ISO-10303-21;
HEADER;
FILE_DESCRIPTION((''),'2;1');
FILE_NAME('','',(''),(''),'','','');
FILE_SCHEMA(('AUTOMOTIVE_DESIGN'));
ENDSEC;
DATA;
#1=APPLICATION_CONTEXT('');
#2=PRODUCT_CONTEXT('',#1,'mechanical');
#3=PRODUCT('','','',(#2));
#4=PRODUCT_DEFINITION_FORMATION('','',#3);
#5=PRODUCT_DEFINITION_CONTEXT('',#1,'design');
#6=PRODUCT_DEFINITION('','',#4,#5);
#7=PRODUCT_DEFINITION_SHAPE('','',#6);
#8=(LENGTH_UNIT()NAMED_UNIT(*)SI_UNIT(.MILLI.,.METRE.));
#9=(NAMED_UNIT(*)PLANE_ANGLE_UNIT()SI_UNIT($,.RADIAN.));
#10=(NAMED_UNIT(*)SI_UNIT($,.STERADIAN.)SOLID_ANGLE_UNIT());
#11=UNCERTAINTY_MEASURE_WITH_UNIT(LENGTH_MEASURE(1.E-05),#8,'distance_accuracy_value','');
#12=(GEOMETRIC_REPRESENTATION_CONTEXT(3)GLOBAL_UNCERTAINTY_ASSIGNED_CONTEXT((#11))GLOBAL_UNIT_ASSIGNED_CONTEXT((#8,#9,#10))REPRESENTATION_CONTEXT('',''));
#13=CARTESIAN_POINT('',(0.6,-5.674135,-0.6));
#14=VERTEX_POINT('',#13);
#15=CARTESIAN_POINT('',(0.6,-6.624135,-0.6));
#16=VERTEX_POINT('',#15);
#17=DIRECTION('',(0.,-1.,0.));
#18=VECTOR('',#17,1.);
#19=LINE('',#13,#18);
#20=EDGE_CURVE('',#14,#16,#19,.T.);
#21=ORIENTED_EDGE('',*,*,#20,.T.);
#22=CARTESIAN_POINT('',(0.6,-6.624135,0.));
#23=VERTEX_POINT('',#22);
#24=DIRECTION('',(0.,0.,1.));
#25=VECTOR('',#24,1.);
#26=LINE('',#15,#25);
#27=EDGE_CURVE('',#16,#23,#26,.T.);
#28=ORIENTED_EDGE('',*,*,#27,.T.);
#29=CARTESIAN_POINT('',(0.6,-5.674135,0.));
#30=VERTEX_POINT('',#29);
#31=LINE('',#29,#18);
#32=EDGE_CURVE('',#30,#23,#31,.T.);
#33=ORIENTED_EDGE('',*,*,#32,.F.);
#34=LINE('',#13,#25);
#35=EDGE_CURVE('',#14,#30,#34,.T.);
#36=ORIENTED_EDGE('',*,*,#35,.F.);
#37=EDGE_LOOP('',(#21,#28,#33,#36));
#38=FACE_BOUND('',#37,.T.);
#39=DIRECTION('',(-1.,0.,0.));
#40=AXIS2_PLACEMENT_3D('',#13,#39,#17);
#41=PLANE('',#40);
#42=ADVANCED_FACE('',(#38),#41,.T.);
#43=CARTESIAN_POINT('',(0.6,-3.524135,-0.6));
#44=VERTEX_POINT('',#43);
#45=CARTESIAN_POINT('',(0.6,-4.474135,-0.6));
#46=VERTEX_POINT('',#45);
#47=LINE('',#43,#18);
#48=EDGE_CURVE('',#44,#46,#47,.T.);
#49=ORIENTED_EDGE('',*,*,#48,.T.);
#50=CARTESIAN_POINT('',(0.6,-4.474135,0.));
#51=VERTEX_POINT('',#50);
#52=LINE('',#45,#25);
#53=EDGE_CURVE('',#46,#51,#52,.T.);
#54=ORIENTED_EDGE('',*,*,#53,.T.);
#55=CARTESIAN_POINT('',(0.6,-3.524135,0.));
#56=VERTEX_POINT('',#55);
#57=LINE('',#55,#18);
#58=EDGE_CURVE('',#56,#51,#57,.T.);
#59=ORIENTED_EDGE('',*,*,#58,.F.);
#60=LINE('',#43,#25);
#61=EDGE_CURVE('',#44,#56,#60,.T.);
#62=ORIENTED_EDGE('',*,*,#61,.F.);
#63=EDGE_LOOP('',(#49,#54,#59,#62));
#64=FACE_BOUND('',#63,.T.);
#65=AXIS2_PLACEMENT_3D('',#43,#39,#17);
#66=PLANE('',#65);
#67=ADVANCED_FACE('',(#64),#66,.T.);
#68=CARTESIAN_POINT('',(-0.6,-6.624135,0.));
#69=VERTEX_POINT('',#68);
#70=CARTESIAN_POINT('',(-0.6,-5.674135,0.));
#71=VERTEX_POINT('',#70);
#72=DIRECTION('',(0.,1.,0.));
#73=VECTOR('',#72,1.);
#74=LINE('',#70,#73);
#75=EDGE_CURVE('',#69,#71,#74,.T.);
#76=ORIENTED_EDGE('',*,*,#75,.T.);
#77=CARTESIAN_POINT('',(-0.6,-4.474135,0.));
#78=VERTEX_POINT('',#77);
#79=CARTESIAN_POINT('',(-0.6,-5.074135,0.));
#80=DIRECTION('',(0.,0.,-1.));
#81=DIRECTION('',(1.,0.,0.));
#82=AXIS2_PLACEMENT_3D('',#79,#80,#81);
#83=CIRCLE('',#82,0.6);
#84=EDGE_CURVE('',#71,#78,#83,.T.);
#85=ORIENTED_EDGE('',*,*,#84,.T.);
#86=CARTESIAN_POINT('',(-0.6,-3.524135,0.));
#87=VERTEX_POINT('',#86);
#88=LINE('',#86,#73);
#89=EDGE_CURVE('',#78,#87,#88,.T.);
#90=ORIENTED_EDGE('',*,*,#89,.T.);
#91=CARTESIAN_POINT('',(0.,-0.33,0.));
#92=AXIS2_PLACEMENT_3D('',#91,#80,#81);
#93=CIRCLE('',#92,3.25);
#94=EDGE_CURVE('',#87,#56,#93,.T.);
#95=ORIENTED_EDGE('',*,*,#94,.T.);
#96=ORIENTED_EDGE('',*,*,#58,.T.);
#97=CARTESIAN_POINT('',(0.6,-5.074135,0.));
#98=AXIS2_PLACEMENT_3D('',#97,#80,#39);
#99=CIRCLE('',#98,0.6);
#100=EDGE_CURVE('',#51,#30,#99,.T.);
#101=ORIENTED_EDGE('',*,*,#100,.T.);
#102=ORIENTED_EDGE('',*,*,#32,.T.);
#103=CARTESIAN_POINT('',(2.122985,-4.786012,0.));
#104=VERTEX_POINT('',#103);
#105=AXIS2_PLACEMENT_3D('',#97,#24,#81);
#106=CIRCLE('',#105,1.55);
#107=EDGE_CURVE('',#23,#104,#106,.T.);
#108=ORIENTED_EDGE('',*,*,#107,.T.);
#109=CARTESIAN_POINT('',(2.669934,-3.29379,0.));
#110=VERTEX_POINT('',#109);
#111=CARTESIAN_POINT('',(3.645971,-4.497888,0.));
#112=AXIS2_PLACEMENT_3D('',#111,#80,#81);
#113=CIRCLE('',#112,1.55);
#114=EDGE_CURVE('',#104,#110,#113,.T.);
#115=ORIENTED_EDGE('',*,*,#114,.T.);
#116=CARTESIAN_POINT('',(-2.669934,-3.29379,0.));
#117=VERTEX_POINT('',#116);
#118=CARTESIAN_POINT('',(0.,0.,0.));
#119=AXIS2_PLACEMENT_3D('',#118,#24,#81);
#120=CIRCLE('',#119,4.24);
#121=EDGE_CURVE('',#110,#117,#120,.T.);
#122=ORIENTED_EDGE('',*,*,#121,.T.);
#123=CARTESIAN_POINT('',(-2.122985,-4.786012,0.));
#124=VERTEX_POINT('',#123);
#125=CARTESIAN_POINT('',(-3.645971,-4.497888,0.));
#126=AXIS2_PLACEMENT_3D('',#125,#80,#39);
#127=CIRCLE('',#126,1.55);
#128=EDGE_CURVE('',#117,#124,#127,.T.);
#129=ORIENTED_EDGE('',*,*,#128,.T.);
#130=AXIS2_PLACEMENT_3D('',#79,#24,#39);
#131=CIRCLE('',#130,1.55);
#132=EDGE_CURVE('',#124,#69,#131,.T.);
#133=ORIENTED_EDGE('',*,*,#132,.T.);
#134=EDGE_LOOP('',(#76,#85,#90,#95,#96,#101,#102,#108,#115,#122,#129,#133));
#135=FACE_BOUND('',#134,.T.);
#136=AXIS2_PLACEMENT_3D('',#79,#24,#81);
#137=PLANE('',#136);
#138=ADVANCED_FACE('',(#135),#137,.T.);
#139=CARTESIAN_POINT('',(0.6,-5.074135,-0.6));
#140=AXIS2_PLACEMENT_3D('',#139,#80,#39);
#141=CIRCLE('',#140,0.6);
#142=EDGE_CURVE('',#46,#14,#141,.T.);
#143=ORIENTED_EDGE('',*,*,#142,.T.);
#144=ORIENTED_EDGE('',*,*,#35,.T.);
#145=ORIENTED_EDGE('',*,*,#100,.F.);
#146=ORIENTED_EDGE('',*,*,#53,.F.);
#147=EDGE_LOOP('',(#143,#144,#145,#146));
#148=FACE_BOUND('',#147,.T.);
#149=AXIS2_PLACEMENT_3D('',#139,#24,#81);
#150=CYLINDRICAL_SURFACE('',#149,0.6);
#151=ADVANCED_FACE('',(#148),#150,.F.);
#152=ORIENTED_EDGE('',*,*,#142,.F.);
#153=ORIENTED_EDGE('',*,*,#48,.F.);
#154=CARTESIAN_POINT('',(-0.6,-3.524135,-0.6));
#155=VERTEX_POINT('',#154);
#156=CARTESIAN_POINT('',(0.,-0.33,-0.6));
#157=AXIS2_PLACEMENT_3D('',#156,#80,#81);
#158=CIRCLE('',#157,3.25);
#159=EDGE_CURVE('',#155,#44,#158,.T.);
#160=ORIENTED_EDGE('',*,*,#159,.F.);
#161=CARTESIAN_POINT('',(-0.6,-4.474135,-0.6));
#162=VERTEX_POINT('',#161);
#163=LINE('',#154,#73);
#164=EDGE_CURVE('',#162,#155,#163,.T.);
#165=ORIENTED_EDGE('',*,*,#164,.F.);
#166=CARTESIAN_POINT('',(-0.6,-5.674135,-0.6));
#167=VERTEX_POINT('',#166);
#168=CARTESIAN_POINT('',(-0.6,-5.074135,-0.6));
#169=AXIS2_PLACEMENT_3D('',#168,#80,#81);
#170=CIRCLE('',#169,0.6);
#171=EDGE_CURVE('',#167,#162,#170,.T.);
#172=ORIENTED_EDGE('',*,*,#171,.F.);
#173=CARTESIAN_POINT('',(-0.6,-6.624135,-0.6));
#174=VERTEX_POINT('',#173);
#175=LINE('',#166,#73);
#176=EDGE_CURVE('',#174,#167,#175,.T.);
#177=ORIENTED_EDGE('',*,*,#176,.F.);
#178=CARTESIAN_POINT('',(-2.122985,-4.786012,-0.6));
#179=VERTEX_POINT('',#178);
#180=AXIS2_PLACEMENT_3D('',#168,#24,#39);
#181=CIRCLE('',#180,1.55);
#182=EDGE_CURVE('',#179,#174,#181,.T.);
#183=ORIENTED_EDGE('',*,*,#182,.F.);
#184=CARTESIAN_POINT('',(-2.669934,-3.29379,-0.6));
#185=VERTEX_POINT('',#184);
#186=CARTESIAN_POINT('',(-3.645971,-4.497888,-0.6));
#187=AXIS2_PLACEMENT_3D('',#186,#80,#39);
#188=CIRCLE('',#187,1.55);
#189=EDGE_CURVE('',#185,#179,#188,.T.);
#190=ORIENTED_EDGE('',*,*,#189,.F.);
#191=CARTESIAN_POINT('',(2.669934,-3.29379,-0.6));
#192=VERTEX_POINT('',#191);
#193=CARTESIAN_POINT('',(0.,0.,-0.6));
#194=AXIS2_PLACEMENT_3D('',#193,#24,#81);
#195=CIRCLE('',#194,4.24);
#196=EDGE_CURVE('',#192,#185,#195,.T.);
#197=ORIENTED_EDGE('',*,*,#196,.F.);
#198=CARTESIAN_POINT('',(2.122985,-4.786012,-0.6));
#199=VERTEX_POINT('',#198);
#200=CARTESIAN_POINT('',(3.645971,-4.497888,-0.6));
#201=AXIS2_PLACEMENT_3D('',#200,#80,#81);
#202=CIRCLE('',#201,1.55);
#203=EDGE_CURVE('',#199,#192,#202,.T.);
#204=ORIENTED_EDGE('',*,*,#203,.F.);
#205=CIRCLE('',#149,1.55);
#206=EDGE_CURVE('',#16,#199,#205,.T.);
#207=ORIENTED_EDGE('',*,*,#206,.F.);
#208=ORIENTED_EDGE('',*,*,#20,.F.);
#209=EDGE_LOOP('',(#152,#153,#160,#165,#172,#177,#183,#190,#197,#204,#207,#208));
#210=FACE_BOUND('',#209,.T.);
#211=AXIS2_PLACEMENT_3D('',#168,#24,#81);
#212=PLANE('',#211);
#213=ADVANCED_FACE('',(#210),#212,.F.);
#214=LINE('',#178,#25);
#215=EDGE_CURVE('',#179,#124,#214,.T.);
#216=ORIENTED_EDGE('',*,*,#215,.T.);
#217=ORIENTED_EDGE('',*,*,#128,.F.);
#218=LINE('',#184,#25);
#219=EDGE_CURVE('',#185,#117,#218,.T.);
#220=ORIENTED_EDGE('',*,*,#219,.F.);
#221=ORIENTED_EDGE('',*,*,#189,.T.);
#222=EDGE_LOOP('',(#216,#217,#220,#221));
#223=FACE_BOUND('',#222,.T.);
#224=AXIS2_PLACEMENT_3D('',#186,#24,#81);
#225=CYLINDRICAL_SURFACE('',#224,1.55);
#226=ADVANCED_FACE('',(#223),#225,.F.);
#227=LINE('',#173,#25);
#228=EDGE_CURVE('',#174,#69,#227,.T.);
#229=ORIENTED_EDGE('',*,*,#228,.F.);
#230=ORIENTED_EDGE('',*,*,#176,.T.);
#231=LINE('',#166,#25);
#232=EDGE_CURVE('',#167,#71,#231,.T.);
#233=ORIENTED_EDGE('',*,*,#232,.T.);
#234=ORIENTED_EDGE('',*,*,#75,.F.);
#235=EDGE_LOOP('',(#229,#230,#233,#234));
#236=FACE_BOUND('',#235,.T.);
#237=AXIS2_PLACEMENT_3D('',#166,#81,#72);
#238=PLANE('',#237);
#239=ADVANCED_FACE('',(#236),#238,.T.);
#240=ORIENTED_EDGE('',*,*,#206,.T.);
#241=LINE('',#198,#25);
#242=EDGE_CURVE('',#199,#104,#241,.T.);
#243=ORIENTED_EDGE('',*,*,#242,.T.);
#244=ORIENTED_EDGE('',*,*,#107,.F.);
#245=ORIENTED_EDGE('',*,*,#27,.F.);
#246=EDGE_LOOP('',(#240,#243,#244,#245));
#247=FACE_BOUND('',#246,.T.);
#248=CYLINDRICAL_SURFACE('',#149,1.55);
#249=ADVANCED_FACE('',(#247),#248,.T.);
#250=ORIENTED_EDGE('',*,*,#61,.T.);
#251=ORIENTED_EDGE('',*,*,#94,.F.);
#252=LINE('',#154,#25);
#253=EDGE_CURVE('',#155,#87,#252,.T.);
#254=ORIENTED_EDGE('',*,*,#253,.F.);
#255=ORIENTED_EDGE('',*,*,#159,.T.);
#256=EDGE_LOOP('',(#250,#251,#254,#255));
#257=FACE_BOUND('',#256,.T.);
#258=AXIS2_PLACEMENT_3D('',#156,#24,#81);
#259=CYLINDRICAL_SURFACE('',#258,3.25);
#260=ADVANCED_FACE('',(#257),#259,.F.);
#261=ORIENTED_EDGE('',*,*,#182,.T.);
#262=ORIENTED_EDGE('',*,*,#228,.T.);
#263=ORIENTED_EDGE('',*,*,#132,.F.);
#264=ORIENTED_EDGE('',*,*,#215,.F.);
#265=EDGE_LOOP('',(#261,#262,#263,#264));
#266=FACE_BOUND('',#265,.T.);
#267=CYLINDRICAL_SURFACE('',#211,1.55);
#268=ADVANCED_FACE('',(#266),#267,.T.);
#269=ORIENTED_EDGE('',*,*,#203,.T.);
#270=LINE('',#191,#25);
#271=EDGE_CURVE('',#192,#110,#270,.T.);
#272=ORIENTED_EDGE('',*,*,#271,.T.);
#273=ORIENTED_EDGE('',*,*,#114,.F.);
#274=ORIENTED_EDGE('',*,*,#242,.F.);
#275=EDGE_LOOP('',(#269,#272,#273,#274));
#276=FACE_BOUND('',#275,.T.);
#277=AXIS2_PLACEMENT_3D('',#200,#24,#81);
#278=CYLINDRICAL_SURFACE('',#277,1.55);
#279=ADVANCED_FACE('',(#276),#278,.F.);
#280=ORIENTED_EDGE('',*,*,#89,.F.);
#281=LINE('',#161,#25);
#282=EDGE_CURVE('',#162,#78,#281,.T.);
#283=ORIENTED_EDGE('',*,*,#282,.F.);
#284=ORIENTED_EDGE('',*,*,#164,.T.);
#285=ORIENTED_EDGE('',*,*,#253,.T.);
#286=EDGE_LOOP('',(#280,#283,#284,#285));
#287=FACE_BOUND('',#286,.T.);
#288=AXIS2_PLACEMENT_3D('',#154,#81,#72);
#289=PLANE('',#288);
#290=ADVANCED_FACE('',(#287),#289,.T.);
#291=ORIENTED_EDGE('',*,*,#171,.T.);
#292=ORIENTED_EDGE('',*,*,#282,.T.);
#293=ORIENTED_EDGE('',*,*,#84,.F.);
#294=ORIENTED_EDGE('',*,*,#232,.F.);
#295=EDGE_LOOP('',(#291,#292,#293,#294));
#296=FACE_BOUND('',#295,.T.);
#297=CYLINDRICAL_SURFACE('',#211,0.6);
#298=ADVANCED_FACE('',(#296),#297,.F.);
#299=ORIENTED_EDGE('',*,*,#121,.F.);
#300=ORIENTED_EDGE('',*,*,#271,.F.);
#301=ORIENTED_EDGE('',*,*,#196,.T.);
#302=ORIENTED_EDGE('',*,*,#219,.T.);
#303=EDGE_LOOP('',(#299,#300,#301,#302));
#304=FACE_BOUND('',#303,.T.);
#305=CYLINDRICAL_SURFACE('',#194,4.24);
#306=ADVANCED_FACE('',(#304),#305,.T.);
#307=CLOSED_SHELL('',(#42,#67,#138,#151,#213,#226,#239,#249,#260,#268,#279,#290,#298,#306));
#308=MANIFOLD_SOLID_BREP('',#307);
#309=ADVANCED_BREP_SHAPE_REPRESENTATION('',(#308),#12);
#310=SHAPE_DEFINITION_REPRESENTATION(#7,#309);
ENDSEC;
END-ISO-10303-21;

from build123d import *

# Parameters (mm, degrees)
BODY_DEPTH = 0.6


with BuildPart() as part:
    # Sketch1 → Body (new body)
    with BuildSketch(Plane.XY):
        with BuildLine():
            Line((-0.6, -3.524135251), (-0.6, -4.474135251))
            ThreePointArc((-0.6, -4.474135251), (-1.2, -5.074135251), (-0.6, -5.674135251))
            Line((-0.6, -5.674135251), (-0.6, -6.624135251))
            ThreePointArc((-0.6, -6.624135251), (-1.793543395, -6.063050901), (-2.122985475, -4.786011591))
            ThreePointArc((-2.122985475, -4.786011591), (-2.190649776, -3.964464757), (-2.669933821, -3.293790125))
            ThreePointArc((-2.669933821, -3.293790125), (0, 4.24), (2.669933821, -3.293790125))
            ThreePointArc((2.669933821, -3.293790125), (2.190649776, -3.964464757), (2.122985475, -4.786011591))
            ThreePointArc((2.122985475, -4.786011591), (1.793543395, -6.063050901), (0.6, -6.624135251))
            Line((0.6, -6.624135251), (0.6, -5.674135251))
            ThreePointArc((0.6, -5.674135251), (1.2, -5.074135251), (0.6, -4.474135251))
            Line((0.6, -4.474135251), (0.6, -3.524135251))
            ThreePointArc((0.6, -3.524135251), (0, 2.92), (-0.6, -3.524135251))
        make_face()
    extrude(amount=-BODY_DEPTH)


solid = part.part
